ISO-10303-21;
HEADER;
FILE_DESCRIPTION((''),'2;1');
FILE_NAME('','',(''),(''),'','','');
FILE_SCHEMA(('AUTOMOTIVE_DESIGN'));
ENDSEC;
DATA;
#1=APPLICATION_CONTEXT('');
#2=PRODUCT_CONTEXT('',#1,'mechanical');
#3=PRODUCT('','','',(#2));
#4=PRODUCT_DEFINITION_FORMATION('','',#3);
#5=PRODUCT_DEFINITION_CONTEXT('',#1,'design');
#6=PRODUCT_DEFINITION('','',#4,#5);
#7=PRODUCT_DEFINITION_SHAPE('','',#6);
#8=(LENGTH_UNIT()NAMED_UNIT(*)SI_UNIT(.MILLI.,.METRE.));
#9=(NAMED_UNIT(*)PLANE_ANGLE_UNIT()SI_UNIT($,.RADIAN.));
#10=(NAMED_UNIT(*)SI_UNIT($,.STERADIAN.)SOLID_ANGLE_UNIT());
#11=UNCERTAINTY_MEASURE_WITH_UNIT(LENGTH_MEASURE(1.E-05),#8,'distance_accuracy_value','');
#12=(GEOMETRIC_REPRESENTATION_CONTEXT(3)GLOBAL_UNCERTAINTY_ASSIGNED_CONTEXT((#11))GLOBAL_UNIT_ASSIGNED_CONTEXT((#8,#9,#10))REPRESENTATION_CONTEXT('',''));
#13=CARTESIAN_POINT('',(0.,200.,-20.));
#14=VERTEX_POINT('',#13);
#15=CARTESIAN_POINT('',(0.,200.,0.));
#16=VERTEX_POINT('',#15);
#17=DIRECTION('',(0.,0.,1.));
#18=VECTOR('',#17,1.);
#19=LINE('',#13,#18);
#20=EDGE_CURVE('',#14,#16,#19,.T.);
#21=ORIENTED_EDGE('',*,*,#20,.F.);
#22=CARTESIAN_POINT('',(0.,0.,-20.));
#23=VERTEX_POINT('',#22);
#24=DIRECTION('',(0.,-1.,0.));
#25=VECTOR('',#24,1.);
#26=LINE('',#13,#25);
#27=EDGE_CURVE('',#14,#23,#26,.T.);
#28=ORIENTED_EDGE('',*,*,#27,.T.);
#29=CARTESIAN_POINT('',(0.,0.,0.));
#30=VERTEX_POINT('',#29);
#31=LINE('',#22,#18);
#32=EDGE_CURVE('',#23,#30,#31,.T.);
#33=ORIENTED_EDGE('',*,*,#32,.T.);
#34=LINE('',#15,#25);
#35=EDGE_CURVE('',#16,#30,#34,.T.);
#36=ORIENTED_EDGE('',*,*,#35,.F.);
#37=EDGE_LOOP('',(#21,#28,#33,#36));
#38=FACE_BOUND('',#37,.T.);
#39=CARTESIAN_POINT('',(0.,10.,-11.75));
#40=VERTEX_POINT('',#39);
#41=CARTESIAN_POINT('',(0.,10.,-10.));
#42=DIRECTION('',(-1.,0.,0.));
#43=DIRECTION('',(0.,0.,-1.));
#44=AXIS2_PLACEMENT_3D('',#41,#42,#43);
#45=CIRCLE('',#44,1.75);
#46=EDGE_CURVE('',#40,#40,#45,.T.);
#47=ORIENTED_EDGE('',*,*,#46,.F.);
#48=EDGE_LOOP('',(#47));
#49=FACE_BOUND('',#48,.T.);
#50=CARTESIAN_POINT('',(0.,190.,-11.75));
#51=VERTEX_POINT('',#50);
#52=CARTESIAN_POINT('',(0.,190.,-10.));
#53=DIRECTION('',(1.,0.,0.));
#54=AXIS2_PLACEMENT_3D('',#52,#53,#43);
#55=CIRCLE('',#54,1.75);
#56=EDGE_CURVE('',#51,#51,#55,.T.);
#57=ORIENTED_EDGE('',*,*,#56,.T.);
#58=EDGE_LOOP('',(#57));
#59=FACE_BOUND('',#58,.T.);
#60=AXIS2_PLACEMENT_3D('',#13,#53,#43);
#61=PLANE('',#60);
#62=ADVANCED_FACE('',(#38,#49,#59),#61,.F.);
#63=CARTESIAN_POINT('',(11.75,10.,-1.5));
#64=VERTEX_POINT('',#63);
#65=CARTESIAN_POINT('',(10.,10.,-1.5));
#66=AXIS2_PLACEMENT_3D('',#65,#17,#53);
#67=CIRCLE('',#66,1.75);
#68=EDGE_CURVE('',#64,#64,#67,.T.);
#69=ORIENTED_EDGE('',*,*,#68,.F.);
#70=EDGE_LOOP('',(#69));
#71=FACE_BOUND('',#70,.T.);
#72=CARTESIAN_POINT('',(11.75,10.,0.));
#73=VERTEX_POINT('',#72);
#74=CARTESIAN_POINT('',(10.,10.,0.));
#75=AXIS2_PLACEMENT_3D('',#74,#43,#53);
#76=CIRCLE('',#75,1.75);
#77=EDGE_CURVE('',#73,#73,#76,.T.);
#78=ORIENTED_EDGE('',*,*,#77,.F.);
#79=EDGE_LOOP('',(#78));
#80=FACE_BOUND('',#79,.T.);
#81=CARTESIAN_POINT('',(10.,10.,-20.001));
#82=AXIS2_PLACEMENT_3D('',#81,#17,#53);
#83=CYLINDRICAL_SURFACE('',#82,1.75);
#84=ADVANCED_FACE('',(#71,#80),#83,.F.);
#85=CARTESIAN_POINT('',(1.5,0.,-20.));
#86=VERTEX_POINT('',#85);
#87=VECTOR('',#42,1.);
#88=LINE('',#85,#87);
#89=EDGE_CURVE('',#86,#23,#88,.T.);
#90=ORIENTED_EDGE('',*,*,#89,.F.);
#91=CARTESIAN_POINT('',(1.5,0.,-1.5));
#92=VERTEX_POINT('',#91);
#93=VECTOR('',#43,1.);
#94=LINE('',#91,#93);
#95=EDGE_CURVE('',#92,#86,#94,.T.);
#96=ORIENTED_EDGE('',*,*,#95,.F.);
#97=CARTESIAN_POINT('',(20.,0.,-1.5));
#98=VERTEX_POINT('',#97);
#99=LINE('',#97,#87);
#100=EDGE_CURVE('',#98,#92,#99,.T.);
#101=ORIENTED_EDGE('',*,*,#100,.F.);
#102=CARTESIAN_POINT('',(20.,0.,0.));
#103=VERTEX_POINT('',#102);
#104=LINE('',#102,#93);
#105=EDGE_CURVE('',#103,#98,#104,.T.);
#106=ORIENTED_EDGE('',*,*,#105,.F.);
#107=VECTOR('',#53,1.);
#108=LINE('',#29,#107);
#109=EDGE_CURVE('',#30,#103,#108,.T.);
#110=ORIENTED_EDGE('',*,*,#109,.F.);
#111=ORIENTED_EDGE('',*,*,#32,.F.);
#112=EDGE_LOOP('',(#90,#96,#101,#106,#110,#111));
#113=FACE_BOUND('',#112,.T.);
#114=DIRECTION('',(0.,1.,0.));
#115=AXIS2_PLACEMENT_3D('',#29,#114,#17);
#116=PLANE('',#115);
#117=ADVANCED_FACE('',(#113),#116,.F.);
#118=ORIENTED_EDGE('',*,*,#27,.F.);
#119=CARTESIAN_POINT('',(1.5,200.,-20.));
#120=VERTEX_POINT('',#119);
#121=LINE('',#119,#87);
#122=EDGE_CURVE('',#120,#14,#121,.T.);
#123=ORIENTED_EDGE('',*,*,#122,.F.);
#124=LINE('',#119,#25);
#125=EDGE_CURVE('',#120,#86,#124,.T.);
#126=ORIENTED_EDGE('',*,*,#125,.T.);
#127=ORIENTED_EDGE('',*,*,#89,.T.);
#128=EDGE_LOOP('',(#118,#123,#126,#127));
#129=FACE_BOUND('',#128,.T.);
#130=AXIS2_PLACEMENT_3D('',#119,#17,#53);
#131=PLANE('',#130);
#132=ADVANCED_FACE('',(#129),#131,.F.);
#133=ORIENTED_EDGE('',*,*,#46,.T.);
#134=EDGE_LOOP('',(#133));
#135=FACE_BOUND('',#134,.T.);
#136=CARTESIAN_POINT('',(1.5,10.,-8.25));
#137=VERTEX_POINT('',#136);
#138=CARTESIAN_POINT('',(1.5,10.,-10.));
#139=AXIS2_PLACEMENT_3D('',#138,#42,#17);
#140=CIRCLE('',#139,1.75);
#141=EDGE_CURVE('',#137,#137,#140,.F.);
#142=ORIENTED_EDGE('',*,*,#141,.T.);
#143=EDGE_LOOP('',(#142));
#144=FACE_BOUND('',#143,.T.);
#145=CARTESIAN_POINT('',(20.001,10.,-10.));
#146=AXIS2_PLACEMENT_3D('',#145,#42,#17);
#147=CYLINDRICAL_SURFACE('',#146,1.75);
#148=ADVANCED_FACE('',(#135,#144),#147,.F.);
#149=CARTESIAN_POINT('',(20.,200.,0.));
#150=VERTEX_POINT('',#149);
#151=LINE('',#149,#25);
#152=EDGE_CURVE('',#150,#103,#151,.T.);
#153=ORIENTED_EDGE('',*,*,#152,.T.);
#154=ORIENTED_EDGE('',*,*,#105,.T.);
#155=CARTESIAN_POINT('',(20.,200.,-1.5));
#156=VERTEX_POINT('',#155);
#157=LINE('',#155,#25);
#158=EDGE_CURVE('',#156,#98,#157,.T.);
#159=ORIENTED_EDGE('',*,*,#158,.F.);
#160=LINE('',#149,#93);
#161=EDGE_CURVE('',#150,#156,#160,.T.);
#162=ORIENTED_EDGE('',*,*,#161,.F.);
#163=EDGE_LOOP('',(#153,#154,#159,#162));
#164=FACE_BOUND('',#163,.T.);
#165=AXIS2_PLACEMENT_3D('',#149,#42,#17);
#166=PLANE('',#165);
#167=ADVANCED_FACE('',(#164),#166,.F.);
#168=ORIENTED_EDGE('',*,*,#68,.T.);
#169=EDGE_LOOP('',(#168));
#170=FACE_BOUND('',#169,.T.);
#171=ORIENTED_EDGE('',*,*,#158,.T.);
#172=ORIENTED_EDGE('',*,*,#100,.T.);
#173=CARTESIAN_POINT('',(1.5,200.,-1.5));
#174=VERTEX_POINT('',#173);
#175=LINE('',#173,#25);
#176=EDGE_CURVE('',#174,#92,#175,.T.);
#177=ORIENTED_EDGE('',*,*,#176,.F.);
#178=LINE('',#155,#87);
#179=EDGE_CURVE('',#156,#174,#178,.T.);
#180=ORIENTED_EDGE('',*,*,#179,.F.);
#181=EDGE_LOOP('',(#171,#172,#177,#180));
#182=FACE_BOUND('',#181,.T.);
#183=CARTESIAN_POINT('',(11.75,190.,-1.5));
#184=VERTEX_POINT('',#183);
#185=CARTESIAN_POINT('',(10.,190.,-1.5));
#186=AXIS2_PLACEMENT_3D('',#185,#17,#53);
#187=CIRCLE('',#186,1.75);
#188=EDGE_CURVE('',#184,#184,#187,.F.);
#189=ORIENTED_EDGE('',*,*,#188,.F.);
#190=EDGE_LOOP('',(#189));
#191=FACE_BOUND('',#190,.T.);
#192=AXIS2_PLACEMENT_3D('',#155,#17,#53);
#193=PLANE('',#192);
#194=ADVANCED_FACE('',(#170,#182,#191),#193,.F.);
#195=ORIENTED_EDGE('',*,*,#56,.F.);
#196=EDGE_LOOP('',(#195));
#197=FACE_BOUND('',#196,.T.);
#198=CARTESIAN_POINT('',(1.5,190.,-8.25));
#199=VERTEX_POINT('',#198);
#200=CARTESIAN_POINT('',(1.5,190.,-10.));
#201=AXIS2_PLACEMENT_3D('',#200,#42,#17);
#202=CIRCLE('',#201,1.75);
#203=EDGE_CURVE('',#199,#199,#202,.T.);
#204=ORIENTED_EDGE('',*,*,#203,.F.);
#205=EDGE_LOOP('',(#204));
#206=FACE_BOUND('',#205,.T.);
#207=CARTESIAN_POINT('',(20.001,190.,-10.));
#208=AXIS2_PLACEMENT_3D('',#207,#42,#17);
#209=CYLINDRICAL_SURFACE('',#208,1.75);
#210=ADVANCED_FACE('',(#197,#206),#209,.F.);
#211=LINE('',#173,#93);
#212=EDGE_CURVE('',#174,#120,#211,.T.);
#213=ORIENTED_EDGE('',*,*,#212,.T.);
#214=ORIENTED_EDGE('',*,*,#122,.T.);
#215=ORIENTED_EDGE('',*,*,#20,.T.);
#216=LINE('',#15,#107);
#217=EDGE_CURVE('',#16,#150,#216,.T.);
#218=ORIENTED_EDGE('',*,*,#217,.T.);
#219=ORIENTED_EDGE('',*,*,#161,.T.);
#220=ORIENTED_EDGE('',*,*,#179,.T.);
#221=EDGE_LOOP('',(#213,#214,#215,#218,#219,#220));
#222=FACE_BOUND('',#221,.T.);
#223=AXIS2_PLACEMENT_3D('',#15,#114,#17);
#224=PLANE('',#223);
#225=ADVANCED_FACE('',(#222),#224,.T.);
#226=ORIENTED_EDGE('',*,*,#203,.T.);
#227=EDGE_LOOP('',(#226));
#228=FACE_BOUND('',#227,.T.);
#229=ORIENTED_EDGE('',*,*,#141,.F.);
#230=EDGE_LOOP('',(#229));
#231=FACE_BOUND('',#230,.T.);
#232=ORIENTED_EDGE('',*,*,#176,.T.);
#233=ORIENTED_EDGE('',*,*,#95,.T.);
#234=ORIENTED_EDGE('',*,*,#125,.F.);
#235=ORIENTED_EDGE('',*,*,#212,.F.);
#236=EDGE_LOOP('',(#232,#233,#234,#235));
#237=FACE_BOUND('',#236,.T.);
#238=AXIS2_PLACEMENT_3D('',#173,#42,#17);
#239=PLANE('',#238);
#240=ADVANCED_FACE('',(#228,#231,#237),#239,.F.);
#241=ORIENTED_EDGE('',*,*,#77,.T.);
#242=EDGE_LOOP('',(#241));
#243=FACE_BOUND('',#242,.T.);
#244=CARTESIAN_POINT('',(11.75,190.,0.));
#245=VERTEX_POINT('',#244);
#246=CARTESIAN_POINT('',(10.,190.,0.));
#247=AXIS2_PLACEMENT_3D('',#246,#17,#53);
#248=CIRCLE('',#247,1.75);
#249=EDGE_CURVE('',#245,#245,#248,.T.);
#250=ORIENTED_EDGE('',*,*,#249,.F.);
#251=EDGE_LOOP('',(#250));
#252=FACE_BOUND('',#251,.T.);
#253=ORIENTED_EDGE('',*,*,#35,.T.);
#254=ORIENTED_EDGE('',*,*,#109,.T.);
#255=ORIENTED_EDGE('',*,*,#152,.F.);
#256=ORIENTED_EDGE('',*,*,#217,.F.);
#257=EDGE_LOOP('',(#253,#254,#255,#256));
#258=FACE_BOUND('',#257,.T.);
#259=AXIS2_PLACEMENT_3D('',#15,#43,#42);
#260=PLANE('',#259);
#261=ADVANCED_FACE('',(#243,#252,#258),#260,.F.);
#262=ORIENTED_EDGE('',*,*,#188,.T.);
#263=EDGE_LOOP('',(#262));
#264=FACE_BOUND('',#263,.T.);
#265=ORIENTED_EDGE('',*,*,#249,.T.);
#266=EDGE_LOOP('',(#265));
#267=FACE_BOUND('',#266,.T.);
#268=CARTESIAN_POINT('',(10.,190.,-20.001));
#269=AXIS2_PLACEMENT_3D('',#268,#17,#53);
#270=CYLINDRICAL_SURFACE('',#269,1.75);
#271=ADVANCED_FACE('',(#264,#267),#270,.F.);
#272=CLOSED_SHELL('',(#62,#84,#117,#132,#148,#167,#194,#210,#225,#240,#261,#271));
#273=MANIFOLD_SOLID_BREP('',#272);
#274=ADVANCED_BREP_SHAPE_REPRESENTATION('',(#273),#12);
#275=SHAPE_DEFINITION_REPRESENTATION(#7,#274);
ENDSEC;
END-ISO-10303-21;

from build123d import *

# Parameters (mm, degrees)
EXTRUDE_1_DEPTH          = 200
CUT_EXTRUDE_1_REACH      = 203.99
SKETCH_2_R               = 1.75
MIRROR_2_COPY_1_REACH    = 203.99
MIRROR_2_COPY_1_SKETCH_R = 1.75


with BuildPart() as part:
    # Эскиз1 → Бобышка-Вытянуть1 (new body)
    with BuildSketch(Plane(origin=(0, 0, 0), x_dir=(1, 0, 0), z_dir=(0, 1, 0))):
        Polygon((0, 0), (20, 0), (20, 1.5), (1.5, 1.5), (1.5, 20), (0, 20), align=None)
    extrude(amount=EXTRUDE_1_DEPTH)

    # Эскиз2 → Вырез-Вытянуть1 (cut, up to next)
    with BuildSketch(Plane.XY, mode=Mode.PRIVATE) as cut_extrude_1_sk1:
        with Locations((10, 190)):
            Circle(SKETCH_2_R)
    cut_extrude_1_tool1 = extrude(cut_extrude_1_sk1.sketch, amount=-CUT_EXTRUDE_1_REACH, mode=Mode.PRIVATE) & part.part
    cut_extrude_1 = cut_extrude_1_tool1.solids().sort_by_distance((10, 190, 0))[0]
    add(cut_extrude_1, mode=Mode.SUBTRACT)

    # Зеркальное отражение1: Вырез-Вытянуть1 across plane
    add(cut_extrude_1.mirror(Plane(origin=(0, 0, 0), x_dir=(-0.7071067811865482, 0, 0.7071067811865468), z_dir=(-0.7071067811865468, 0, -0.7071067811865482))), mode=Mode.SUBTRACT)

    # Зеркальное отражение2: Вырез-Вытянуть1 across plane
    add(cut_extrude_1.mirror(Plane(origin=(0, 100, 0), x_dir=(0, 0, 1), z_dir=(0, -1, 0))), mode=Mode.SUBTRACT)

    # Зеркальное отражение2 copy 1 sketch → Зеркальное отражение2 copy 1 (cut, up to next)
    with BuildSketch(Plane(origin=(0, 200, 0), x_dir=(0, 0, -1), z_dir=(-1, 0, 0)), mode=Mode.PRIVATE) as mirror_2_copy_1_sk1:
        with Locations((10, 190)):
            Circle(MIRROR_2_COPY_1_SKETCH_R)
    mirror_2_copy_1_tool1 = extrude(mirror_2_copy_1_sk1.sketch, amount=-MIRROR_2_COPY_1_REACH, mode=Mode.PRIVATE) & part.part
    add(mirror_2_copy_1_tool1.solids().sort_by_distance((0, 10, -10))[0], mode=Mode.SUBTRACT)


solid = part.part
